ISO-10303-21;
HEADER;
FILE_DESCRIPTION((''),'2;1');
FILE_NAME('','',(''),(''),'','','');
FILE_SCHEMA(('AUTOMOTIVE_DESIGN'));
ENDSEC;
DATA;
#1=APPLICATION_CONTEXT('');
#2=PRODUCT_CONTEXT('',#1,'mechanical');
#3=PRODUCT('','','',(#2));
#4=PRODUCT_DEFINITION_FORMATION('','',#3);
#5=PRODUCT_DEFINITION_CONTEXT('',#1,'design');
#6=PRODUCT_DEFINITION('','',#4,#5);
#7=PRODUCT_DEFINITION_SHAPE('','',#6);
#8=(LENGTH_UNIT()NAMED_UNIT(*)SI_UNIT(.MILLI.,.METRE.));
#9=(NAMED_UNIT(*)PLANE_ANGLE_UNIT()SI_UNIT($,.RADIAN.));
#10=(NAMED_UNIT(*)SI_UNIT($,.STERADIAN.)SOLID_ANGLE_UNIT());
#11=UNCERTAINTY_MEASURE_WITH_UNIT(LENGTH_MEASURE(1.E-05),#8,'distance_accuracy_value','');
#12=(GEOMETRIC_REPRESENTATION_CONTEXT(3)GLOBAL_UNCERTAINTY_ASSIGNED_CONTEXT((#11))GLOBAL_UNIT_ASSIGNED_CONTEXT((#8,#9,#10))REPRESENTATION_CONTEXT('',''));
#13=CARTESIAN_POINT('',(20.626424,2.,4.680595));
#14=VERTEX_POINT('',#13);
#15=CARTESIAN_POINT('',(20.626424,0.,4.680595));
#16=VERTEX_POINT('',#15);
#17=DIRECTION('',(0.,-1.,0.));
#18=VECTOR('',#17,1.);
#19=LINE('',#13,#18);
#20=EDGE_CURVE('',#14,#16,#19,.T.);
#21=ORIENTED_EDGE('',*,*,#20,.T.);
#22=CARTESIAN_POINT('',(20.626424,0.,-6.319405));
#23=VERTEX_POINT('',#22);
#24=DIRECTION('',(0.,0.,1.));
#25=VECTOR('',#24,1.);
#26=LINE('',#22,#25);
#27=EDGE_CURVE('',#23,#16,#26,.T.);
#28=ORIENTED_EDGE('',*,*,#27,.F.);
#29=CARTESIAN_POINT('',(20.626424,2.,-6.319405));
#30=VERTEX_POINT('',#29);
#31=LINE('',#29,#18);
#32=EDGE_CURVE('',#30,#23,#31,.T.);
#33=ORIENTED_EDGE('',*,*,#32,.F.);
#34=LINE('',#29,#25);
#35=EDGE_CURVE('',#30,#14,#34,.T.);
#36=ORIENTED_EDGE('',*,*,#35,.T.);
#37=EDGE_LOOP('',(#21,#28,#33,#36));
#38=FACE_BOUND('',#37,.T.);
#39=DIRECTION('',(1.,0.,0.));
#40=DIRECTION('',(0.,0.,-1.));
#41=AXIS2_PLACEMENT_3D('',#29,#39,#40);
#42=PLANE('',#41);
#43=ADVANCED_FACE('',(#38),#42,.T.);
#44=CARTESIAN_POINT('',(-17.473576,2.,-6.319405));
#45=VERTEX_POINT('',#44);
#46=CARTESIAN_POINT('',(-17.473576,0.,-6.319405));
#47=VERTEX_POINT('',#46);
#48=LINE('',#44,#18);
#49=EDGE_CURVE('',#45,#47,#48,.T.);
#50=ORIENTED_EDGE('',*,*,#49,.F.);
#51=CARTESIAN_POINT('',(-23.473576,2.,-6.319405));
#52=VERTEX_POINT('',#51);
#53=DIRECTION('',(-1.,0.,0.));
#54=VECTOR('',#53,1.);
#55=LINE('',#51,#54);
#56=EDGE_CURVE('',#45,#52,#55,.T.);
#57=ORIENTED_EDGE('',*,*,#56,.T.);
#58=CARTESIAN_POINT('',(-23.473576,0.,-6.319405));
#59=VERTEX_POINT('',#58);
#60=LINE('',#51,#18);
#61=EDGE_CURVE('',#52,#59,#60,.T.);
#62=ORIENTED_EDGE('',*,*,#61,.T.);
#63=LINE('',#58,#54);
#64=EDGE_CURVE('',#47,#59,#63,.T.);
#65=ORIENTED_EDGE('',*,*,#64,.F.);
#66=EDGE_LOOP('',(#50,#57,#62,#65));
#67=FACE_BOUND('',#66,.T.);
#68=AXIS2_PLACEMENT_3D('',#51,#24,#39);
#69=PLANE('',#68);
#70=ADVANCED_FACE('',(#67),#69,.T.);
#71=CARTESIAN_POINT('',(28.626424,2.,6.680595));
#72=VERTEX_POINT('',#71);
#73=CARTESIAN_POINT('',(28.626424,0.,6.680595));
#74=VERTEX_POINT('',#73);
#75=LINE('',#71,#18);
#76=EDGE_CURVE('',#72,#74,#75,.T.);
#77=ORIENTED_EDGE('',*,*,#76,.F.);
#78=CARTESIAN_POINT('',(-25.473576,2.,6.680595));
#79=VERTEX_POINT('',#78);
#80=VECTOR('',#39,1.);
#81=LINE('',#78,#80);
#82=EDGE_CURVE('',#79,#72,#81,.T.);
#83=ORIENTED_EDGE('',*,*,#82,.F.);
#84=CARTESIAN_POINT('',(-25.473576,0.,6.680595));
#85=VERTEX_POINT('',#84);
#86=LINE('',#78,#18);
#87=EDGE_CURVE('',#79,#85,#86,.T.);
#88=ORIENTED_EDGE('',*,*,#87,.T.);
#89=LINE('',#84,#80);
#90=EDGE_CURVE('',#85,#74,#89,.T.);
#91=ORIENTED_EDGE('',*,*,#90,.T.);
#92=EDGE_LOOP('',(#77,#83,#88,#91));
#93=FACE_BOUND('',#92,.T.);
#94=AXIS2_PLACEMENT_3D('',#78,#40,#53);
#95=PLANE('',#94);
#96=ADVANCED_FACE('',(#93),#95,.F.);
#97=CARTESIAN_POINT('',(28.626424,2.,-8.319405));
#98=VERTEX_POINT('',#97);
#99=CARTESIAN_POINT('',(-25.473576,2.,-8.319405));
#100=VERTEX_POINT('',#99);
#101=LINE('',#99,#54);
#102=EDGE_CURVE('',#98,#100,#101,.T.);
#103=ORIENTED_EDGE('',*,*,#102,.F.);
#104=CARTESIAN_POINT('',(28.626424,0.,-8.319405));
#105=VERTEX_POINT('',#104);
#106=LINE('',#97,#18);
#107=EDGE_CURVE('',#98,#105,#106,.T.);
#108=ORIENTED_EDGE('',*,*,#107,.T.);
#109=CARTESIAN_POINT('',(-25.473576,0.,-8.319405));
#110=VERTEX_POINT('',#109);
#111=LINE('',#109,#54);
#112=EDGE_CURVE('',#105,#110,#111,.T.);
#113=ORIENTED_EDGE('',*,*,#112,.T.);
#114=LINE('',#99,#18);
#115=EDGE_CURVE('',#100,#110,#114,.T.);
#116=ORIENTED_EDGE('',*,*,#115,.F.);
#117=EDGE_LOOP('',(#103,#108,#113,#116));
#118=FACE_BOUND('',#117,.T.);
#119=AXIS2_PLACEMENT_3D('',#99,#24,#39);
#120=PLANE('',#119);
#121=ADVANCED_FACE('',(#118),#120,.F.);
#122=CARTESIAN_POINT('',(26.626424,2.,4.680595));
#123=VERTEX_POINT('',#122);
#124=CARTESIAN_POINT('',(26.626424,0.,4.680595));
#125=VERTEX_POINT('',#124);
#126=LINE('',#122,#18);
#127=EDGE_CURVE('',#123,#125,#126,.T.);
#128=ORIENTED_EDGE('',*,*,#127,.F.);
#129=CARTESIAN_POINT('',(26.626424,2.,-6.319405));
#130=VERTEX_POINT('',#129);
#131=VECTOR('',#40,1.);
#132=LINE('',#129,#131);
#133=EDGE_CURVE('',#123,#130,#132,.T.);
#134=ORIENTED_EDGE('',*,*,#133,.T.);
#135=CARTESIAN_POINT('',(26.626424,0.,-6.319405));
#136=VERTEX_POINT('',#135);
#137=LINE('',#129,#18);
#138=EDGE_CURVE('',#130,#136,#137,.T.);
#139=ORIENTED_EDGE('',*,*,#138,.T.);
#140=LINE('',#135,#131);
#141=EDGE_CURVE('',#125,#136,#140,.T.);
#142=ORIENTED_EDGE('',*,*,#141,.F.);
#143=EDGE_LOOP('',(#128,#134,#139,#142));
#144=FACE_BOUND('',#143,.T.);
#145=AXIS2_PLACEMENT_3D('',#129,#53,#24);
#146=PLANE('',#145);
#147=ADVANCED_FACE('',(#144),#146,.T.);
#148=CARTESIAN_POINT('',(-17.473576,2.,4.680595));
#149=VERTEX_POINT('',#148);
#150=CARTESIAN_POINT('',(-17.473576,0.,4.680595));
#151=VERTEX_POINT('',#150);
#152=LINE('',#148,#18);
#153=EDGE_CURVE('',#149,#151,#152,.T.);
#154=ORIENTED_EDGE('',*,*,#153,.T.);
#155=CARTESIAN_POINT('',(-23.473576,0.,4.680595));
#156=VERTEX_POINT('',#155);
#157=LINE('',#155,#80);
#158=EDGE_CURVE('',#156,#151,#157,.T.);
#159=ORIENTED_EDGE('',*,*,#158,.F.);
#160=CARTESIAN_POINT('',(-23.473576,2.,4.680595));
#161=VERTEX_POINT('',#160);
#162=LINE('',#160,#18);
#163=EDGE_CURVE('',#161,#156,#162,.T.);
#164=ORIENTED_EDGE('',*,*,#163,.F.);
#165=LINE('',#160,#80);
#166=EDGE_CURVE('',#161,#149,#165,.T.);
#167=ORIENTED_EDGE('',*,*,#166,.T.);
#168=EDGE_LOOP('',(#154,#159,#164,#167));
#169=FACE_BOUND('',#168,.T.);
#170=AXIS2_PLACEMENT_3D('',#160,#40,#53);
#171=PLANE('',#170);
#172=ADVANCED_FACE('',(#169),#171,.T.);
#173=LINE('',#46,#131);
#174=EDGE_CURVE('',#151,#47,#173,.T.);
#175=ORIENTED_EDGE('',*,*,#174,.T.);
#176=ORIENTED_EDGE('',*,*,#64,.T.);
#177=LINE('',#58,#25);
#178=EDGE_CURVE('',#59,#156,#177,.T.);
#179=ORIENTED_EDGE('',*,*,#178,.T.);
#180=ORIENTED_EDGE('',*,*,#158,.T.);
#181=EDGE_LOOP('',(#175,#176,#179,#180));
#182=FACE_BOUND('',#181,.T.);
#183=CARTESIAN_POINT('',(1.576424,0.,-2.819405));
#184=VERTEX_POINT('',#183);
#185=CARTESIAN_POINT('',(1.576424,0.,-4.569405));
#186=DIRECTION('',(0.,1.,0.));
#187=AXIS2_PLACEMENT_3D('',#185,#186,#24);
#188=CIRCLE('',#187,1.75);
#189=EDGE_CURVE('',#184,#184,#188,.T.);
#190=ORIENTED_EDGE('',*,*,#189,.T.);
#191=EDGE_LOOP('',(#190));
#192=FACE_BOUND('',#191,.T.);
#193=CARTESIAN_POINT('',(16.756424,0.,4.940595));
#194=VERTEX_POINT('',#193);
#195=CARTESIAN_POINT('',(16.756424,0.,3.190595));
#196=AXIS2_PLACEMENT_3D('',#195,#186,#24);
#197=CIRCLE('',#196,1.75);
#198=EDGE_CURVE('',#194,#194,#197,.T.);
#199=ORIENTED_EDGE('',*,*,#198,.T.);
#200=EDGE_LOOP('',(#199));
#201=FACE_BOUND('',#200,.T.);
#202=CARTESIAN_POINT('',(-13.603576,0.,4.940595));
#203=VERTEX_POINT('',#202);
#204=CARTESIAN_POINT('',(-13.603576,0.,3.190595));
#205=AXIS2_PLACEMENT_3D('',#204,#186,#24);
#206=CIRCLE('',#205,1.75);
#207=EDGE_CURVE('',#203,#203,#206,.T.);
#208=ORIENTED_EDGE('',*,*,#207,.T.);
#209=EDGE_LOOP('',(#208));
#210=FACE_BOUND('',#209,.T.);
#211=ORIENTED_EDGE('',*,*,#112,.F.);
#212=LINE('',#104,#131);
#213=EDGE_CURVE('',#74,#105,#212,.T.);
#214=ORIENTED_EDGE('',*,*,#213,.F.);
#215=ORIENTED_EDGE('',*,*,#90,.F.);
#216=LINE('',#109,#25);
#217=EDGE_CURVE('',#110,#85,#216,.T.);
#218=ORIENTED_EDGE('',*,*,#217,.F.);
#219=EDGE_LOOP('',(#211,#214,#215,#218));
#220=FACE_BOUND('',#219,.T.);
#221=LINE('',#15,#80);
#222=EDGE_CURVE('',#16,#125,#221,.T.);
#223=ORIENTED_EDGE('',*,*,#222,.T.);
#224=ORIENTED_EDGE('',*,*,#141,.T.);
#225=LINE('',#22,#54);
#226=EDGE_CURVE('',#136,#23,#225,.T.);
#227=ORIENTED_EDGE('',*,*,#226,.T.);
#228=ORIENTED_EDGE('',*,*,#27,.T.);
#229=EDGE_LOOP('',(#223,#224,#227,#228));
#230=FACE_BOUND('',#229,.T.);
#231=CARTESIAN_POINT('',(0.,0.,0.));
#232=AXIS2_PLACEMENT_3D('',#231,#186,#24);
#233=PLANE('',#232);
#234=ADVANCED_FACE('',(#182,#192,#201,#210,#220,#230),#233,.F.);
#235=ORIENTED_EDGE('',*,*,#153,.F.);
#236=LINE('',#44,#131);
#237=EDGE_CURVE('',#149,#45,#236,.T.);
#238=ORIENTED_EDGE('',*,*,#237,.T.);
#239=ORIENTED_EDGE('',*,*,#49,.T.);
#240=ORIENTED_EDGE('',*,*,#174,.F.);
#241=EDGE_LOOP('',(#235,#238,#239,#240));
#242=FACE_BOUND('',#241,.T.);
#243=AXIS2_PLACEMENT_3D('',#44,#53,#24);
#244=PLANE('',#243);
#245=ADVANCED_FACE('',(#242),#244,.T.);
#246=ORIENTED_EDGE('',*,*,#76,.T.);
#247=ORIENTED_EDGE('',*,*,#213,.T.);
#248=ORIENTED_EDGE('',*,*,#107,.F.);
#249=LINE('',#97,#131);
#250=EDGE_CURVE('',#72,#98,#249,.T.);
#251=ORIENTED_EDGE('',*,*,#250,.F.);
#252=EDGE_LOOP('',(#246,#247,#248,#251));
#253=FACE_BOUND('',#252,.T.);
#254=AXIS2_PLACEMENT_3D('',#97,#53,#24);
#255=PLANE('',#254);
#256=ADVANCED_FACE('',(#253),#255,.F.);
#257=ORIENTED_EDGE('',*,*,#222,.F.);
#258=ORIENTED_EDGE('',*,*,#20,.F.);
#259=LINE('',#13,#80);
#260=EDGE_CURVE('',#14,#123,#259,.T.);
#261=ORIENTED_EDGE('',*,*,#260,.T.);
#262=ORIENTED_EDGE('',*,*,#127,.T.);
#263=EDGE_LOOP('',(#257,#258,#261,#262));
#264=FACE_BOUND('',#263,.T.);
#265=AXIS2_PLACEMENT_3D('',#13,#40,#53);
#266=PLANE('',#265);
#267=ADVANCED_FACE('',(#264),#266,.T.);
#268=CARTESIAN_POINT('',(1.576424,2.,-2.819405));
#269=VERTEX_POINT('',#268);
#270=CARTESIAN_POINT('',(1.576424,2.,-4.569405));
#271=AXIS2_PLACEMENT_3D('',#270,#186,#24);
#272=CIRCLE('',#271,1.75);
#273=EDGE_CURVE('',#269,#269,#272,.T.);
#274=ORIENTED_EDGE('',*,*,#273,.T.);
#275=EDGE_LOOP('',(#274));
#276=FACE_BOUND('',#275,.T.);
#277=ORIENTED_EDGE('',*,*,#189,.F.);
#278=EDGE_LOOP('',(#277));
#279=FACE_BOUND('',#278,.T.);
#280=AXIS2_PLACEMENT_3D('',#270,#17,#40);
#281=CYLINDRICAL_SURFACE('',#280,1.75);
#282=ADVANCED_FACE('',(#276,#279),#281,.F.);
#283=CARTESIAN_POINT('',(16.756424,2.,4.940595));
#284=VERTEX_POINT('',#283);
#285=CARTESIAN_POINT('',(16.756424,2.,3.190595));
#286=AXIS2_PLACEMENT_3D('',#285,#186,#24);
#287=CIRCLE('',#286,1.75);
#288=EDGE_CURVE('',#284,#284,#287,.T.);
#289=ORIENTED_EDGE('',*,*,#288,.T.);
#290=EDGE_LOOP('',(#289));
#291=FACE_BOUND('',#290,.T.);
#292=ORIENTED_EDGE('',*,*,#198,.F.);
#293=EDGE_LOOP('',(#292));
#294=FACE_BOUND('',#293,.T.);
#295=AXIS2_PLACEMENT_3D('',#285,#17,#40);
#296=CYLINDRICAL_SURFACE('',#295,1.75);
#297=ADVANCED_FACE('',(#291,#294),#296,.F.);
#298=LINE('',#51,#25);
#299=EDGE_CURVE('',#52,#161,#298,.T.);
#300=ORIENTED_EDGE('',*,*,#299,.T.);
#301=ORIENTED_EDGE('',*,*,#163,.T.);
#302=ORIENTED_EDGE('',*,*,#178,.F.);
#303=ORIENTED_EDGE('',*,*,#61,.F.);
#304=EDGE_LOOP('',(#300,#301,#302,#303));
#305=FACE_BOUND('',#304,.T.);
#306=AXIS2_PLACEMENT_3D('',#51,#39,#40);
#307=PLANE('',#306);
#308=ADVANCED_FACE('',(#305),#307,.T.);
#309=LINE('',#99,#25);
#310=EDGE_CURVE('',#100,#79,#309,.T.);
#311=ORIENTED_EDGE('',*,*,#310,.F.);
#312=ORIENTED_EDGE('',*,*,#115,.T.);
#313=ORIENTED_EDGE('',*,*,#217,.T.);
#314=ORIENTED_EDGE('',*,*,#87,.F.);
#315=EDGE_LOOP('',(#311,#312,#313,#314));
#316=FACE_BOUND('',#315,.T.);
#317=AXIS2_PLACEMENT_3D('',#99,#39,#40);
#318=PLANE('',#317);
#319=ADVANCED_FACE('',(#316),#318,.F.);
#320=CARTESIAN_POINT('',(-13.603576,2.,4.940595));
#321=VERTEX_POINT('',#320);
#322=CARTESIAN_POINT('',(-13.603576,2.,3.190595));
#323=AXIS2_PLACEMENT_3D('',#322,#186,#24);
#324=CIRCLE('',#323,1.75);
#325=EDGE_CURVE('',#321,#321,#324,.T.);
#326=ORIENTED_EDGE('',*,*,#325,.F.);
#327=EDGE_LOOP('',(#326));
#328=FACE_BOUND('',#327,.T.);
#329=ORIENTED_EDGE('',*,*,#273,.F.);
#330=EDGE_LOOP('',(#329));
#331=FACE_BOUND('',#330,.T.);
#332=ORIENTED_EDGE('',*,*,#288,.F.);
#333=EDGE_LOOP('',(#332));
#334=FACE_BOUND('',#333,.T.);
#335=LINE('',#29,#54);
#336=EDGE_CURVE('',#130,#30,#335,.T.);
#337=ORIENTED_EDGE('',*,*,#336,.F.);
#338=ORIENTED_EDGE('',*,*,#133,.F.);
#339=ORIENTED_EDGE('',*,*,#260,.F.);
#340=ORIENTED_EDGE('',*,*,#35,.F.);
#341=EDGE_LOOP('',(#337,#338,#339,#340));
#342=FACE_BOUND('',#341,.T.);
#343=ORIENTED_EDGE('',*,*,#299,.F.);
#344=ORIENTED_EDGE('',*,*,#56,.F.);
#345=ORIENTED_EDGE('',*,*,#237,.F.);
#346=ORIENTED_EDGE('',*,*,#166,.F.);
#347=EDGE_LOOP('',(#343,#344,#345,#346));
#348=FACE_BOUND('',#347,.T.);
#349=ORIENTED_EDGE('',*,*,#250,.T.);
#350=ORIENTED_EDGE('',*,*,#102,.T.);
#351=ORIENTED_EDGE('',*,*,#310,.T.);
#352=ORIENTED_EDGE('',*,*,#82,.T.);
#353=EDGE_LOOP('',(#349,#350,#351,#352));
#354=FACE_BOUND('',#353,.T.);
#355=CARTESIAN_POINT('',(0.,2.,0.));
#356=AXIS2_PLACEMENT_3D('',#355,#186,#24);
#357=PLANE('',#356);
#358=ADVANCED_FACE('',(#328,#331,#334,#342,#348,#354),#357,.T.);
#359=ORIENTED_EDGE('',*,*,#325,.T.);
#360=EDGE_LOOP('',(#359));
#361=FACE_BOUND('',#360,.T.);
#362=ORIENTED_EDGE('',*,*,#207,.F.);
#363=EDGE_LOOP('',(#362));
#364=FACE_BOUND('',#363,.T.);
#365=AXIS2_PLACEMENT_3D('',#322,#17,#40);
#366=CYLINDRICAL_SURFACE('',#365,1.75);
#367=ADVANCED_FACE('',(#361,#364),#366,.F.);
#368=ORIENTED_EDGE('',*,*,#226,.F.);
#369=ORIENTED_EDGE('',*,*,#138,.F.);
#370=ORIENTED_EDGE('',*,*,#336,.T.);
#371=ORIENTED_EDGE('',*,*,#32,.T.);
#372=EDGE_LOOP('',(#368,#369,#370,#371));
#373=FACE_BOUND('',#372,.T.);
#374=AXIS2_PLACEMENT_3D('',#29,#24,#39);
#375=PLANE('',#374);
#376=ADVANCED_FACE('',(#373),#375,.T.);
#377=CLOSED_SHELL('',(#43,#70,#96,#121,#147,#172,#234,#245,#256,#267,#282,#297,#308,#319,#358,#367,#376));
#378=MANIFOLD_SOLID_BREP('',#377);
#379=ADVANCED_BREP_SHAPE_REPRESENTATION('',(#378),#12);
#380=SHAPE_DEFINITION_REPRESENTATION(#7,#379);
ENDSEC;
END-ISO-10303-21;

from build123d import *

# Parameters (mm, degrees)
SKETCH1_W           = 54.1
SKETCH1_H           = 15
SKETCH1_R           = 1.75
SKETCH1_W_2         = 6
SKETCH1_H_2         = 11
BOSS_EXTRUDE1_DEPTH = 2


with BuildPart() as part:
    # Sketch1 → Boss-Extrude1 (new body)
    with BuildSketch(Plane(origin=(0, 0, 0), x_dir=(1, 0, 0), z_dir=(0, 1, 0))):
        with Locations((1.576423546, 0.819405027)):
            Rectangle(SKETCH1_W, SKETCH1_H)
        with Locations(Location((16.756423546, -3.190594973, 0), (0, 0, 270))):
            Circle(SKETCH1_R, mode=Mode.SUBTRACT)
        with Locations(Location((-13.603576454, -3.190594973, 0), (0, 0, 270))):
            Circle(SKETCH1_R, mode=Mode.SUBTRACT)
        with Locations(Location((1.576423546, 4.569405027, 0), (0, 0, 270))):
            Circle(SKETCH1_R, mode=Mode.SUBTRACT)
        with Locations((-20.473576454, 0.819405027)):
            Rectangle(SKETCH1_W_2, SKETCH1_H_2, mode=Mode.SUBTRACT)
        with Locations((23.626423546, 0.819405027)):
            Rectangle(SKETCH1_W_2, SKETCH1_H_2, mode=Mode.SUBTRACT)
    extrude(amount=BOSS_EXTRUDE1_DEPTH)


solid = part.part
